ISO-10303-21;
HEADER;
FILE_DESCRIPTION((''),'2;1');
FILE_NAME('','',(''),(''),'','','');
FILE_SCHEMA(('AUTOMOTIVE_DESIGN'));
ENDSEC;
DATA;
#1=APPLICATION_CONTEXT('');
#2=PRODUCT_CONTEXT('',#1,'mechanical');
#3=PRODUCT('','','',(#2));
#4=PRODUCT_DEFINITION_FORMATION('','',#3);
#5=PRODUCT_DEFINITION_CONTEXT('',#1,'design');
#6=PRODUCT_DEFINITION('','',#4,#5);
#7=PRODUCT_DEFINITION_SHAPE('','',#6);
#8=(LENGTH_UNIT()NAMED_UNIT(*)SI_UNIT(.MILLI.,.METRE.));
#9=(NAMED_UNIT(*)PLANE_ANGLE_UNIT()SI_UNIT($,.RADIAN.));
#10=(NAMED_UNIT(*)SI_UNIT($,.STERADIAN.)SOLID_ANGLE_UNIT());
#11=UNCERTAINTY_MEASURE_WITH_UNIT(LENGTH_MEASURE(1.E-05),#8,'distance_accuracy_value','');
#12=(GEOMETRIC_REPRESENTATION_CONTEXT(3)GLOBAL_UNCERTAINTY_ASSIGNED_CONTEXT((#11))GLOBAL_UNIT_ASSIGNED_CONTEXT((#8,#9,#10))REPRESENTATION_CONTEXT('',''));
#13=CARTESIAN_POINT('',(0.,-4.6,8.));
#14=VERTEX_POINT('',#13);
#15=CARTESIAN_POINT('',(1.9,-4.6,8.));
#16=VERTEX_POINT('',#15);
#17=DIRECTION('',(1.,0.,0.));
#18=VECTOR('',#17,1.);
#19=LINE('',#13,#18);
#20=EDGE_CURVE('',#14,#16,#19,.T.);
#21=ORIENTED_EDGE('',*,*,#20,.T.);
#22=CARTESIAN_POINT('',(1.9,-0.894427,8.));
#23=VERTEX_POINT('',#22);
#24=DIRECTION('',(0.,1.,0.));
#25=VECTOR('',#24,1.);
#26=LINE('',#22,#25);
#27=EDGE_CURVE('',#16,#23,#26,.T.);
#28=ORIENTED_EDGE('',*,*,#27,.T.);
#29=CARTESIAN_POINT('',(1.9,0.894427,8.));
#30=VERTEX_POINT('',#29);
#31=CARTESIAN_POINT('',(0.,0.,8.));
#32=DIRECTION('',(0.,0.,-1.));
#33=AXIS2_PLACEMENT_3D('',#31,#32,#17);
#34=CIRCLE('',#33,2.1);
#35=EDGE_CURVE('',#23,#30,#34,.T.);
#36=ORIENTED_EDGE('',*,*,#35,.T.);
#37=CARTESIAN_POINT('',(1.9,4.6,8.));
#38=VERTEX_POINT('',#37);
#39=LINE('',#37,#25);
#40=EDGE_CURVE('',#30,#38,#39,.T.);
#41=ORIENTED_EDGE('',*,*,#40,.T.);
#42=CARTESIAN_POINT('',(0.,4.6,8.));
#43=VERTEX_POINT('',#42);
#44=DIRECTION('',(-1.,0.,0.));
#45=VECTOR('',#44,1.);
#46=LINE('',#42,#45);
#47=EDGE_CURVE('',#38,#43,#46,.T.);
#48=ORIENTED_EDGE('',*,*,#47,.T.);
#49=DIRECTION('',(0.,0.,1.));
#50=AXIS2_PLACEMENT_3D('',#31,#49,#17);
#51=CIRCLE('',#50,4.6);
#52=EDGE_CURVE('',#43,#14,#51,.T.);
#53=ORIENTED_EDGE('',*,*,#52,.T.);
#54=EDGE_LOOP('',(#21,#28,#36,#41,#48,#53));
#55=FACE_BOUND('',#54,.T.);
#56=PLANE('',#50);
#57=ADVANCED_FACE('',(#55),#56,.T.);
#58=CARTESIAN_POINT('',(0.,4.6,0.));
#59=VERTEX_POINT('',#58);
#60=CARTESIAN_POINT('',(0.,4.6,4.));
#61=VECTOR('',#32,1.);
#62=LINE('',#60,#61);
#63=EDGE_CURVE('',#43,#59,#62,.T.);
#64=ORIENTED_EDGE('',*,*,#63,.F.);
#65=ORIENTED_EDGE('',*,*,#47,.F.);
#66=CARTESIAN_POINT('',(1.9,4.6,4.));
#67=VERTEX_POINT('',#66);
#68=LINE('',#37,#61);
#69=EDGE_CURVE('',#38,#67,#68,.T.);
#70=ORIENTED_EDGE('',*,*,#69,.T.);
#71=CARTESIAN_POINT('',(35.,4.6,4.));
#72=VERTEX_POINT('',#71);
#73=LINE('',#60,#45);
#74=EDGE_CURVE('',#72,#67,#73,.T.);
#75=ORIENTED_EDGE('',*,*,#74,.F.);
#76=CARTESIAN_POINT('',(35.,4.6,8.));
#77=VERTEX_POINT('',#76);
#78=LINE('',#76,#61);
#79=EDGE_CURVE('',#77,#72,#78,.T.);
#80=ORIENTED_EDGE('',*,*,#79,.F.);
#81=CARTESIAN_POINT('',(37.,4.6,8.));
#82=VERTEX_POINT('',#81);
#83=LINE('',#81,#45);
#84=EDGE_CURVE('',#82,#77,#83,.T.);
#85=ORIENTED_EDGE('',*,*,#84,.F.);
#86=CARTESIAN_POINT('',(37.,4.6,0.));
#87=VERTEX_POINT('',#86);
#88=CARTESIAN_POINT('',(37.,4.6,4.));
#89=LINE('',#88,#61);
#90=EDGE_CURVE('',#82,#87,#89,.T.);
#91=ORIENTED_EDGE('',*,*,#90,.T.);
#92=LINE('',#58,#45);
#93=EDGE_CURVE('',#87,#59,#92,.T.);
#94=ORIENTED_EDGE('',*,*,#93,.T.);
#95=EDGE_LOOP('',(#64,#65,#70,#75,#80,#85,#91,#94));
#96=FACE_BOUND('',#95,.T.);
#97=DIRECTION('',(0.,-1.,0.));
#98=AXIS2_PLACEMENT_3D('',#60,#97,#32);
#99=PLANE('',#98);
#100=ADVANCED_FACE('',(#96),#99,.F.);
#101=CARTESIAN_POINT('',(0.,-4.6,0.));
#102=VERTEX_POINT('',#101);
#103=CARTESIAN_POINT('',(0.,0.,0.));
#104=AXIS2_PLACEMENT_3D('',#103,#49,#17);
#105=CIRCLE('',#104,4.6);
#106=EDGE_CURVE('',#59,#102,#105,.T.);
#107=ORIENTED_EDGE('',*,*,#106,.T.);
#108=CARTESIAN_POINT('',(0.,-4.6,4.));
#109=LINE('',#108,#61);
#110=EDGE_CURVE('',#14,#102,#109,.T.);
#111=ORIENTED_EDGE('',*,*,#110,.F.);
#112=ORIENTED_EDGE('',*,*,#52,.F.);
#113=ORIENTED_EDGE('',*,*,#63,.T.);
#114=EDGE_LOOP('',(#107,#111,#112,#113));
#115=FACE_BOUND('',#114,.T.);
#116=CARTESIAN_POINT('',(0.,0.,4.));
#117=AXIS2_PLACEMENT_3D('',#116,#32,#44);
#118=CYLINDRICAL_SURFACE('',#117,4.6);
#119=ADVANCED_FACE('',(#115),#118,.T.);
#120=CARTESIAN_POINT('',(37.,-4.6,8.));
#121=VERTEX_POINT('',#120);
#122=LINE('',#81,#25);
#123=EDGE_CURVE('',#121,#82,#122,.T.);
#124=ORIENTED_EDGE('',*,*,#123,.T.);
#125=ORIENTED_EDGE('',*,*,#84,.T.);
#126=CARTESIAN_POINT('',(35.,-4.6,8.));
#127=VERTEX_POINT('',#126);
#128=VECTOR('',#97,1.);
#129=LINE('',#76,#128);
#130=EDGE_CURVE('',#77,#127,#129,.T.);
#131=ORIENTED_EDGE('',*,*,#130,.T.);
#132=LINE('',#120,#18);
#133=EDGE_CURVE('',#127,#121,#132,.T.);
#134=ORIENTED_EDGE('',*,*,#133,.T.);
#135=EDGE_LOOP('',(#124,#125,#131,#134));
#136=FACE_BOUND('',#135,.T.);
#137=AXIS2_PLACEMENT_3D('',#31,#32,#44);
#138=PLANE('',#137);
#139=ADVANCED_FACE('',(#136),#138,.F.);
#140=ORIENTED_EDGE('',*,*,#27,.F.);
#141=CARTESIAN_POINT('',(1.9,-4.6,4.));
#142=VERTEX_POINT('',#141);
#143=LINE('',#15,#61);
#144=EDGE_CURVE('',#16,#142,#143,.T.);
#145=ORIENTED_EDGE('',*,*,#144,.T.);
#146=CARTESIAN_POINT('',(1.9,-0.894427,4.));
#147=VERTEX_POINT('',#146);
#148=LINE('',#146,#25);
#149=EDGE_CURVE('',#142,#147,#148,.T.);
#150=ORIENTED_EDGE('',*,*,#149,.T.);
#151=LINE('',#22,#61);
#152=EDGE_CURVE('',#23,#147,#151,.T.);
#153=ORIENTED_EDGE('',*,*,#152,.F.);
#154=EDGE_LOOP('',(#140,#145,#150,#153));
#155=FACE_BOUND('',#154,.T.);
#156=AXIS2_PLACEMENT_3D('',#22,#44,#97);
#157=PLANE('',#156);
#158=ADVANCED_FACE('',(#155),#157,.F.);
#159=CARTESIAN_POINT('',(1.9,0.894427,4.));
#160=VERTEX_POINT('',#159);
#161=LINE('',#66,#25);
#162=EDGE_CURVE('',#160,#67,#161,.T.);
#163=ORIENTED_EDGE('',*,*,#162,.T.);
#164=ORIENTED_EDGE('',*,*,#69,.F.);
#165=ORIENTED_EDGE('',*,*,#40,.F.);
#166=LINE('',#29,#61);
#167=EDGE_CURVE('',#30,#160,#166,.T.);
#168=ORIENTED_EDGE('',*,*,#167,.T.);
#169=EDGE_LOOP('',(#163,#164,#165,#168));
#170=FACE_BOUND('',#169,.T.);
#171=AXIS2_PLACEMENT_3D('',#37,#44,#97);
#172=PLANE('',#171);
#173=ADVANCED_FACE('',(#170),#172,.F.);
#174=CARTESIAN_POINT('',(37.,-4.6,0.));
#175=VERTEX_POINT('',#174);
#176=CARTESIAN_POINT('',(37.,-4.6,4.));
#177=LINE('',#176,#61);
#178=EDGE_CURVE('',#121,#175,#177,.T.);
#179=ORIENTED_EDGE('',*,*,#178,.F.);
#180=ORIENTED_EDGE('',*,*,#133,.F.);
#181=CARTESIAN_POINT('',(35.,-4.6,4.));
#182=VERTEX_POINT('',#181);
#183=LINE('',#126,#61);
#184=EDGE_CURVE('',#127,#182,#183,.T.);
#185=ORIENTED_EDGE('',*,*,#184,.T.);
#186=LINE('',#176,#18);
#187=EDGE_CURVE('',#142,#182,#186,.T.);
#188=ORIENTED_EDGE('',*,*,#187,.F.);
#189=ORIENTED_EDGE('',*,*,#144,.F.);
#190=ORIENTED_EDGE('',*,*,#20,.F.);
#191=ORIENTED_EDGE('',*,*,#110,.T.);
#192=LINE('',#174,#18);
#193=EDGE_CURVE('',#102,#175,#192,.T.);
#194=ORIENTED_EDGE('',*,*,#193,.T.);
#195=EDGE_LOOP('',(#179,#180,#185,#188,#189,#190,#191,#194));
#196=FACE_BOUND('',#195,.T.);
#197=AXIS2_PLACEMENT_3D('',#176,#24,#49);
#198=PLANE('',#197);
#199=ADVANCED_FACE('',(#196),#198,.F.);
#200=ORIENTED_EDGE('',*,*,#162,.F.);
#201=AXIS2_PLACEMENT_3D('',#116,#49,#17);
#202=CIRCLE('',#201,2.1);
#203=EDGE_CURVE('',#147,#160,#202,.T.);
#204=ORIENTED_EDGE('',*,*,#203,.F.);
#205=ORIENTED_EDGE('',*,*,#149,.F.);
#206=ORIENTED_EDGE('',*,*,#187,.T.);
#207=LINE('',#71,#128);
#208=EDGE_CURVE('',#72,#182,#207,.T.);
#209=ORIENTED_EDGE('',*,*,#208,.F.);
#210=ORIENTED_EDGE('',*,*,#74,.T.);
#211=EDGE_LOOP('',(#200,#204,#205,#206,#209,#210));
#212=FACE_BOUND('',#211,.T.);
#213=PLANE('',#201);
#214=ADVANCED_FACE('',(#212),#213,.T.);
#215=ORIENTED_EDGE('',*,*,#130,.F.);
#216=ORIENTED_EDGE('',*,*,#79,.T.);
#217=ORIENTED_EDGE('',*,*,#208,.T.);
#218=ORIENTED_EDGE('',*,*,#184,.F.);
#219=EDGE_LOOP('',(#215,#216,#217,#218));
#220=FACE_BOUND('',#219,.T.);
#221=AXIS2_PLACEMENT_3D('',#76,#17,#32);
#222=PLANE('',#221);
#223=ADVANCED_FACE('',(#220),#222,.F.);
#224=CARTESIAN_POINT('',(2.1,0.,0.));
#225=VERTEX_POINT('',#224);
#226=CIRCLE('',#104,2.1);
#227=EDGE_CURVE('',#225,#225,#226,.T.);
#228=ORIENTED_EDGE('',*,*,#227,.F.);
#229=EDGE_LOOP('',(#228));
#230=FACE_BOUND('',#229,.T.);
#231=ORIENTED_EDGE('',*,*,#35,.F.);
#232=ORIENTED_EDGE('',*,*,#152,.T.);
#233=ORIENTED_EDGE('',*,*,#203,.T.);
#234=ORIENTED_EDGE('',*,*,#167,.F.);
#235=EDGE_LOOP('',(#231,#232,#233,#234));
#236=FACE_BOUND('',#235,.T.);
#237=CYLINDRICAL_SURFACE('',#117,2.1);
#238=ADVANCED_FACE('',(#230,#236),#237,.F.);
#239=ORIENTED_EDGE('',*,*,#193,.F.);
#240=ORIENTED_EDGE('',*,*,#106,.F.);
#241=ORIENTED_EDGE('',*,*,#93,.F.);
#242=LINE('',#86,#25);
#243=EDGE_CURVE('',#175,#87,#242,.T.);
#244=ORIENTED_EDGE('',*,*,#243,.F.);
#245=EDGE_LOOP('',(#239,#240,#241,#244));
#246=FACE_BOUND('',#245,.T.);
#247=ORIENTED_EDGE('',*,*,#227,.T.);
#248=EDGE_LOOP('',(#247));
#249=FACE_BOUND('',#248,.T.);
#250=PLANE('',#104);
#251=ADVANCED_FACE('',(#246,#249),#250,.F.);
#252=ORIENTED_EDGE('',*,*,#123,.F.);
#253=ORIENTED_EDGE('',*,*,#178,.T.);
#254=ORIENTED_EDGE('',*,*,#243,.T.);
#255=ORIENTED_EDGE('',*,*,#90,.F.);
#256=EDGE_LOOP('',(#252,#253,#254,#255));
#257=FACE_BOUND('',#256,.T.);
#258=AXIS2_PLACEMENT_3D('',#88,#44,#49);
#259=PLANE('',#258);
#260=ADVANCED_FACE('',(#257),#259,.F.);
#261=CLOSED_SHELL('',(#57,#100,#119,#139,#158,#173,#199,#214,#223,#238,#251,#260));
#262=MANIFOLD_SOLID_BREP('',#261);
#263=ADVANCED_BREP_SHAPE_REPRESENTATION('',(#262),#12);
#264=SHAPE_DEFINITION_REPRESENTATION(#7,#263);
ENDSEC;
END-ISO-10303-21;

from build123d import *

# Parameters (mm, degrees)
SKETCH2_R           = 2.1
BOSS_EXTRUDE2_DEPTH = 4
SKETCH3_W           = 2
SKETCH3_H           = 9.2
BOSS_EXTRUDE3_DEPTH = 4


with BuildPart() as part:
    # Sketch2 → Boss-Extrude2 (new body)
    with BuildSketch(Plane.XY):
        with BuildLine():
            Line((0, 4.6), (37, 4.6))
            Line((37, 4.6), (37, -4.6))
            Line((37, -4.6), (0, -4.6))
            ThreePointArc((0, -4.6), (-4.6, 0), (0, 4.6))
        make_face()
        Circle(SKETCH2_R, mode=Mode.SUBTRACT)
    extrude(amount=BOSS_EXTRUDE2_DEPTH)

    # Sketch3 → Boss-Extrude3 (add)
    with BuildSketch(Plane.XY.offset(4)):
        with Locations((36, 0)):
            Rectangle(SKETCH3_W, SKETCH3_H)
        with BuildLine():
            Line((1.9, 4.6), (1.9, 0.894427191))
            ThreePointArc((1.9, 0.894427191), (-2.1, 0), (1.9, -0.894427191))
            Line((1.9, -0.894427191), (1.9, -4.6))
            Line((1.9, -4.6), (0, -4.6))
            ThreePointArc((0, -4.6), (-4.6, 0), (0, 4.6))
            Line((0, 4.6), (1.9, 4.6))
        make_face()
    extrude(amount=BOSS_EXTRUDE3_DEPTH)


solid = part.part
